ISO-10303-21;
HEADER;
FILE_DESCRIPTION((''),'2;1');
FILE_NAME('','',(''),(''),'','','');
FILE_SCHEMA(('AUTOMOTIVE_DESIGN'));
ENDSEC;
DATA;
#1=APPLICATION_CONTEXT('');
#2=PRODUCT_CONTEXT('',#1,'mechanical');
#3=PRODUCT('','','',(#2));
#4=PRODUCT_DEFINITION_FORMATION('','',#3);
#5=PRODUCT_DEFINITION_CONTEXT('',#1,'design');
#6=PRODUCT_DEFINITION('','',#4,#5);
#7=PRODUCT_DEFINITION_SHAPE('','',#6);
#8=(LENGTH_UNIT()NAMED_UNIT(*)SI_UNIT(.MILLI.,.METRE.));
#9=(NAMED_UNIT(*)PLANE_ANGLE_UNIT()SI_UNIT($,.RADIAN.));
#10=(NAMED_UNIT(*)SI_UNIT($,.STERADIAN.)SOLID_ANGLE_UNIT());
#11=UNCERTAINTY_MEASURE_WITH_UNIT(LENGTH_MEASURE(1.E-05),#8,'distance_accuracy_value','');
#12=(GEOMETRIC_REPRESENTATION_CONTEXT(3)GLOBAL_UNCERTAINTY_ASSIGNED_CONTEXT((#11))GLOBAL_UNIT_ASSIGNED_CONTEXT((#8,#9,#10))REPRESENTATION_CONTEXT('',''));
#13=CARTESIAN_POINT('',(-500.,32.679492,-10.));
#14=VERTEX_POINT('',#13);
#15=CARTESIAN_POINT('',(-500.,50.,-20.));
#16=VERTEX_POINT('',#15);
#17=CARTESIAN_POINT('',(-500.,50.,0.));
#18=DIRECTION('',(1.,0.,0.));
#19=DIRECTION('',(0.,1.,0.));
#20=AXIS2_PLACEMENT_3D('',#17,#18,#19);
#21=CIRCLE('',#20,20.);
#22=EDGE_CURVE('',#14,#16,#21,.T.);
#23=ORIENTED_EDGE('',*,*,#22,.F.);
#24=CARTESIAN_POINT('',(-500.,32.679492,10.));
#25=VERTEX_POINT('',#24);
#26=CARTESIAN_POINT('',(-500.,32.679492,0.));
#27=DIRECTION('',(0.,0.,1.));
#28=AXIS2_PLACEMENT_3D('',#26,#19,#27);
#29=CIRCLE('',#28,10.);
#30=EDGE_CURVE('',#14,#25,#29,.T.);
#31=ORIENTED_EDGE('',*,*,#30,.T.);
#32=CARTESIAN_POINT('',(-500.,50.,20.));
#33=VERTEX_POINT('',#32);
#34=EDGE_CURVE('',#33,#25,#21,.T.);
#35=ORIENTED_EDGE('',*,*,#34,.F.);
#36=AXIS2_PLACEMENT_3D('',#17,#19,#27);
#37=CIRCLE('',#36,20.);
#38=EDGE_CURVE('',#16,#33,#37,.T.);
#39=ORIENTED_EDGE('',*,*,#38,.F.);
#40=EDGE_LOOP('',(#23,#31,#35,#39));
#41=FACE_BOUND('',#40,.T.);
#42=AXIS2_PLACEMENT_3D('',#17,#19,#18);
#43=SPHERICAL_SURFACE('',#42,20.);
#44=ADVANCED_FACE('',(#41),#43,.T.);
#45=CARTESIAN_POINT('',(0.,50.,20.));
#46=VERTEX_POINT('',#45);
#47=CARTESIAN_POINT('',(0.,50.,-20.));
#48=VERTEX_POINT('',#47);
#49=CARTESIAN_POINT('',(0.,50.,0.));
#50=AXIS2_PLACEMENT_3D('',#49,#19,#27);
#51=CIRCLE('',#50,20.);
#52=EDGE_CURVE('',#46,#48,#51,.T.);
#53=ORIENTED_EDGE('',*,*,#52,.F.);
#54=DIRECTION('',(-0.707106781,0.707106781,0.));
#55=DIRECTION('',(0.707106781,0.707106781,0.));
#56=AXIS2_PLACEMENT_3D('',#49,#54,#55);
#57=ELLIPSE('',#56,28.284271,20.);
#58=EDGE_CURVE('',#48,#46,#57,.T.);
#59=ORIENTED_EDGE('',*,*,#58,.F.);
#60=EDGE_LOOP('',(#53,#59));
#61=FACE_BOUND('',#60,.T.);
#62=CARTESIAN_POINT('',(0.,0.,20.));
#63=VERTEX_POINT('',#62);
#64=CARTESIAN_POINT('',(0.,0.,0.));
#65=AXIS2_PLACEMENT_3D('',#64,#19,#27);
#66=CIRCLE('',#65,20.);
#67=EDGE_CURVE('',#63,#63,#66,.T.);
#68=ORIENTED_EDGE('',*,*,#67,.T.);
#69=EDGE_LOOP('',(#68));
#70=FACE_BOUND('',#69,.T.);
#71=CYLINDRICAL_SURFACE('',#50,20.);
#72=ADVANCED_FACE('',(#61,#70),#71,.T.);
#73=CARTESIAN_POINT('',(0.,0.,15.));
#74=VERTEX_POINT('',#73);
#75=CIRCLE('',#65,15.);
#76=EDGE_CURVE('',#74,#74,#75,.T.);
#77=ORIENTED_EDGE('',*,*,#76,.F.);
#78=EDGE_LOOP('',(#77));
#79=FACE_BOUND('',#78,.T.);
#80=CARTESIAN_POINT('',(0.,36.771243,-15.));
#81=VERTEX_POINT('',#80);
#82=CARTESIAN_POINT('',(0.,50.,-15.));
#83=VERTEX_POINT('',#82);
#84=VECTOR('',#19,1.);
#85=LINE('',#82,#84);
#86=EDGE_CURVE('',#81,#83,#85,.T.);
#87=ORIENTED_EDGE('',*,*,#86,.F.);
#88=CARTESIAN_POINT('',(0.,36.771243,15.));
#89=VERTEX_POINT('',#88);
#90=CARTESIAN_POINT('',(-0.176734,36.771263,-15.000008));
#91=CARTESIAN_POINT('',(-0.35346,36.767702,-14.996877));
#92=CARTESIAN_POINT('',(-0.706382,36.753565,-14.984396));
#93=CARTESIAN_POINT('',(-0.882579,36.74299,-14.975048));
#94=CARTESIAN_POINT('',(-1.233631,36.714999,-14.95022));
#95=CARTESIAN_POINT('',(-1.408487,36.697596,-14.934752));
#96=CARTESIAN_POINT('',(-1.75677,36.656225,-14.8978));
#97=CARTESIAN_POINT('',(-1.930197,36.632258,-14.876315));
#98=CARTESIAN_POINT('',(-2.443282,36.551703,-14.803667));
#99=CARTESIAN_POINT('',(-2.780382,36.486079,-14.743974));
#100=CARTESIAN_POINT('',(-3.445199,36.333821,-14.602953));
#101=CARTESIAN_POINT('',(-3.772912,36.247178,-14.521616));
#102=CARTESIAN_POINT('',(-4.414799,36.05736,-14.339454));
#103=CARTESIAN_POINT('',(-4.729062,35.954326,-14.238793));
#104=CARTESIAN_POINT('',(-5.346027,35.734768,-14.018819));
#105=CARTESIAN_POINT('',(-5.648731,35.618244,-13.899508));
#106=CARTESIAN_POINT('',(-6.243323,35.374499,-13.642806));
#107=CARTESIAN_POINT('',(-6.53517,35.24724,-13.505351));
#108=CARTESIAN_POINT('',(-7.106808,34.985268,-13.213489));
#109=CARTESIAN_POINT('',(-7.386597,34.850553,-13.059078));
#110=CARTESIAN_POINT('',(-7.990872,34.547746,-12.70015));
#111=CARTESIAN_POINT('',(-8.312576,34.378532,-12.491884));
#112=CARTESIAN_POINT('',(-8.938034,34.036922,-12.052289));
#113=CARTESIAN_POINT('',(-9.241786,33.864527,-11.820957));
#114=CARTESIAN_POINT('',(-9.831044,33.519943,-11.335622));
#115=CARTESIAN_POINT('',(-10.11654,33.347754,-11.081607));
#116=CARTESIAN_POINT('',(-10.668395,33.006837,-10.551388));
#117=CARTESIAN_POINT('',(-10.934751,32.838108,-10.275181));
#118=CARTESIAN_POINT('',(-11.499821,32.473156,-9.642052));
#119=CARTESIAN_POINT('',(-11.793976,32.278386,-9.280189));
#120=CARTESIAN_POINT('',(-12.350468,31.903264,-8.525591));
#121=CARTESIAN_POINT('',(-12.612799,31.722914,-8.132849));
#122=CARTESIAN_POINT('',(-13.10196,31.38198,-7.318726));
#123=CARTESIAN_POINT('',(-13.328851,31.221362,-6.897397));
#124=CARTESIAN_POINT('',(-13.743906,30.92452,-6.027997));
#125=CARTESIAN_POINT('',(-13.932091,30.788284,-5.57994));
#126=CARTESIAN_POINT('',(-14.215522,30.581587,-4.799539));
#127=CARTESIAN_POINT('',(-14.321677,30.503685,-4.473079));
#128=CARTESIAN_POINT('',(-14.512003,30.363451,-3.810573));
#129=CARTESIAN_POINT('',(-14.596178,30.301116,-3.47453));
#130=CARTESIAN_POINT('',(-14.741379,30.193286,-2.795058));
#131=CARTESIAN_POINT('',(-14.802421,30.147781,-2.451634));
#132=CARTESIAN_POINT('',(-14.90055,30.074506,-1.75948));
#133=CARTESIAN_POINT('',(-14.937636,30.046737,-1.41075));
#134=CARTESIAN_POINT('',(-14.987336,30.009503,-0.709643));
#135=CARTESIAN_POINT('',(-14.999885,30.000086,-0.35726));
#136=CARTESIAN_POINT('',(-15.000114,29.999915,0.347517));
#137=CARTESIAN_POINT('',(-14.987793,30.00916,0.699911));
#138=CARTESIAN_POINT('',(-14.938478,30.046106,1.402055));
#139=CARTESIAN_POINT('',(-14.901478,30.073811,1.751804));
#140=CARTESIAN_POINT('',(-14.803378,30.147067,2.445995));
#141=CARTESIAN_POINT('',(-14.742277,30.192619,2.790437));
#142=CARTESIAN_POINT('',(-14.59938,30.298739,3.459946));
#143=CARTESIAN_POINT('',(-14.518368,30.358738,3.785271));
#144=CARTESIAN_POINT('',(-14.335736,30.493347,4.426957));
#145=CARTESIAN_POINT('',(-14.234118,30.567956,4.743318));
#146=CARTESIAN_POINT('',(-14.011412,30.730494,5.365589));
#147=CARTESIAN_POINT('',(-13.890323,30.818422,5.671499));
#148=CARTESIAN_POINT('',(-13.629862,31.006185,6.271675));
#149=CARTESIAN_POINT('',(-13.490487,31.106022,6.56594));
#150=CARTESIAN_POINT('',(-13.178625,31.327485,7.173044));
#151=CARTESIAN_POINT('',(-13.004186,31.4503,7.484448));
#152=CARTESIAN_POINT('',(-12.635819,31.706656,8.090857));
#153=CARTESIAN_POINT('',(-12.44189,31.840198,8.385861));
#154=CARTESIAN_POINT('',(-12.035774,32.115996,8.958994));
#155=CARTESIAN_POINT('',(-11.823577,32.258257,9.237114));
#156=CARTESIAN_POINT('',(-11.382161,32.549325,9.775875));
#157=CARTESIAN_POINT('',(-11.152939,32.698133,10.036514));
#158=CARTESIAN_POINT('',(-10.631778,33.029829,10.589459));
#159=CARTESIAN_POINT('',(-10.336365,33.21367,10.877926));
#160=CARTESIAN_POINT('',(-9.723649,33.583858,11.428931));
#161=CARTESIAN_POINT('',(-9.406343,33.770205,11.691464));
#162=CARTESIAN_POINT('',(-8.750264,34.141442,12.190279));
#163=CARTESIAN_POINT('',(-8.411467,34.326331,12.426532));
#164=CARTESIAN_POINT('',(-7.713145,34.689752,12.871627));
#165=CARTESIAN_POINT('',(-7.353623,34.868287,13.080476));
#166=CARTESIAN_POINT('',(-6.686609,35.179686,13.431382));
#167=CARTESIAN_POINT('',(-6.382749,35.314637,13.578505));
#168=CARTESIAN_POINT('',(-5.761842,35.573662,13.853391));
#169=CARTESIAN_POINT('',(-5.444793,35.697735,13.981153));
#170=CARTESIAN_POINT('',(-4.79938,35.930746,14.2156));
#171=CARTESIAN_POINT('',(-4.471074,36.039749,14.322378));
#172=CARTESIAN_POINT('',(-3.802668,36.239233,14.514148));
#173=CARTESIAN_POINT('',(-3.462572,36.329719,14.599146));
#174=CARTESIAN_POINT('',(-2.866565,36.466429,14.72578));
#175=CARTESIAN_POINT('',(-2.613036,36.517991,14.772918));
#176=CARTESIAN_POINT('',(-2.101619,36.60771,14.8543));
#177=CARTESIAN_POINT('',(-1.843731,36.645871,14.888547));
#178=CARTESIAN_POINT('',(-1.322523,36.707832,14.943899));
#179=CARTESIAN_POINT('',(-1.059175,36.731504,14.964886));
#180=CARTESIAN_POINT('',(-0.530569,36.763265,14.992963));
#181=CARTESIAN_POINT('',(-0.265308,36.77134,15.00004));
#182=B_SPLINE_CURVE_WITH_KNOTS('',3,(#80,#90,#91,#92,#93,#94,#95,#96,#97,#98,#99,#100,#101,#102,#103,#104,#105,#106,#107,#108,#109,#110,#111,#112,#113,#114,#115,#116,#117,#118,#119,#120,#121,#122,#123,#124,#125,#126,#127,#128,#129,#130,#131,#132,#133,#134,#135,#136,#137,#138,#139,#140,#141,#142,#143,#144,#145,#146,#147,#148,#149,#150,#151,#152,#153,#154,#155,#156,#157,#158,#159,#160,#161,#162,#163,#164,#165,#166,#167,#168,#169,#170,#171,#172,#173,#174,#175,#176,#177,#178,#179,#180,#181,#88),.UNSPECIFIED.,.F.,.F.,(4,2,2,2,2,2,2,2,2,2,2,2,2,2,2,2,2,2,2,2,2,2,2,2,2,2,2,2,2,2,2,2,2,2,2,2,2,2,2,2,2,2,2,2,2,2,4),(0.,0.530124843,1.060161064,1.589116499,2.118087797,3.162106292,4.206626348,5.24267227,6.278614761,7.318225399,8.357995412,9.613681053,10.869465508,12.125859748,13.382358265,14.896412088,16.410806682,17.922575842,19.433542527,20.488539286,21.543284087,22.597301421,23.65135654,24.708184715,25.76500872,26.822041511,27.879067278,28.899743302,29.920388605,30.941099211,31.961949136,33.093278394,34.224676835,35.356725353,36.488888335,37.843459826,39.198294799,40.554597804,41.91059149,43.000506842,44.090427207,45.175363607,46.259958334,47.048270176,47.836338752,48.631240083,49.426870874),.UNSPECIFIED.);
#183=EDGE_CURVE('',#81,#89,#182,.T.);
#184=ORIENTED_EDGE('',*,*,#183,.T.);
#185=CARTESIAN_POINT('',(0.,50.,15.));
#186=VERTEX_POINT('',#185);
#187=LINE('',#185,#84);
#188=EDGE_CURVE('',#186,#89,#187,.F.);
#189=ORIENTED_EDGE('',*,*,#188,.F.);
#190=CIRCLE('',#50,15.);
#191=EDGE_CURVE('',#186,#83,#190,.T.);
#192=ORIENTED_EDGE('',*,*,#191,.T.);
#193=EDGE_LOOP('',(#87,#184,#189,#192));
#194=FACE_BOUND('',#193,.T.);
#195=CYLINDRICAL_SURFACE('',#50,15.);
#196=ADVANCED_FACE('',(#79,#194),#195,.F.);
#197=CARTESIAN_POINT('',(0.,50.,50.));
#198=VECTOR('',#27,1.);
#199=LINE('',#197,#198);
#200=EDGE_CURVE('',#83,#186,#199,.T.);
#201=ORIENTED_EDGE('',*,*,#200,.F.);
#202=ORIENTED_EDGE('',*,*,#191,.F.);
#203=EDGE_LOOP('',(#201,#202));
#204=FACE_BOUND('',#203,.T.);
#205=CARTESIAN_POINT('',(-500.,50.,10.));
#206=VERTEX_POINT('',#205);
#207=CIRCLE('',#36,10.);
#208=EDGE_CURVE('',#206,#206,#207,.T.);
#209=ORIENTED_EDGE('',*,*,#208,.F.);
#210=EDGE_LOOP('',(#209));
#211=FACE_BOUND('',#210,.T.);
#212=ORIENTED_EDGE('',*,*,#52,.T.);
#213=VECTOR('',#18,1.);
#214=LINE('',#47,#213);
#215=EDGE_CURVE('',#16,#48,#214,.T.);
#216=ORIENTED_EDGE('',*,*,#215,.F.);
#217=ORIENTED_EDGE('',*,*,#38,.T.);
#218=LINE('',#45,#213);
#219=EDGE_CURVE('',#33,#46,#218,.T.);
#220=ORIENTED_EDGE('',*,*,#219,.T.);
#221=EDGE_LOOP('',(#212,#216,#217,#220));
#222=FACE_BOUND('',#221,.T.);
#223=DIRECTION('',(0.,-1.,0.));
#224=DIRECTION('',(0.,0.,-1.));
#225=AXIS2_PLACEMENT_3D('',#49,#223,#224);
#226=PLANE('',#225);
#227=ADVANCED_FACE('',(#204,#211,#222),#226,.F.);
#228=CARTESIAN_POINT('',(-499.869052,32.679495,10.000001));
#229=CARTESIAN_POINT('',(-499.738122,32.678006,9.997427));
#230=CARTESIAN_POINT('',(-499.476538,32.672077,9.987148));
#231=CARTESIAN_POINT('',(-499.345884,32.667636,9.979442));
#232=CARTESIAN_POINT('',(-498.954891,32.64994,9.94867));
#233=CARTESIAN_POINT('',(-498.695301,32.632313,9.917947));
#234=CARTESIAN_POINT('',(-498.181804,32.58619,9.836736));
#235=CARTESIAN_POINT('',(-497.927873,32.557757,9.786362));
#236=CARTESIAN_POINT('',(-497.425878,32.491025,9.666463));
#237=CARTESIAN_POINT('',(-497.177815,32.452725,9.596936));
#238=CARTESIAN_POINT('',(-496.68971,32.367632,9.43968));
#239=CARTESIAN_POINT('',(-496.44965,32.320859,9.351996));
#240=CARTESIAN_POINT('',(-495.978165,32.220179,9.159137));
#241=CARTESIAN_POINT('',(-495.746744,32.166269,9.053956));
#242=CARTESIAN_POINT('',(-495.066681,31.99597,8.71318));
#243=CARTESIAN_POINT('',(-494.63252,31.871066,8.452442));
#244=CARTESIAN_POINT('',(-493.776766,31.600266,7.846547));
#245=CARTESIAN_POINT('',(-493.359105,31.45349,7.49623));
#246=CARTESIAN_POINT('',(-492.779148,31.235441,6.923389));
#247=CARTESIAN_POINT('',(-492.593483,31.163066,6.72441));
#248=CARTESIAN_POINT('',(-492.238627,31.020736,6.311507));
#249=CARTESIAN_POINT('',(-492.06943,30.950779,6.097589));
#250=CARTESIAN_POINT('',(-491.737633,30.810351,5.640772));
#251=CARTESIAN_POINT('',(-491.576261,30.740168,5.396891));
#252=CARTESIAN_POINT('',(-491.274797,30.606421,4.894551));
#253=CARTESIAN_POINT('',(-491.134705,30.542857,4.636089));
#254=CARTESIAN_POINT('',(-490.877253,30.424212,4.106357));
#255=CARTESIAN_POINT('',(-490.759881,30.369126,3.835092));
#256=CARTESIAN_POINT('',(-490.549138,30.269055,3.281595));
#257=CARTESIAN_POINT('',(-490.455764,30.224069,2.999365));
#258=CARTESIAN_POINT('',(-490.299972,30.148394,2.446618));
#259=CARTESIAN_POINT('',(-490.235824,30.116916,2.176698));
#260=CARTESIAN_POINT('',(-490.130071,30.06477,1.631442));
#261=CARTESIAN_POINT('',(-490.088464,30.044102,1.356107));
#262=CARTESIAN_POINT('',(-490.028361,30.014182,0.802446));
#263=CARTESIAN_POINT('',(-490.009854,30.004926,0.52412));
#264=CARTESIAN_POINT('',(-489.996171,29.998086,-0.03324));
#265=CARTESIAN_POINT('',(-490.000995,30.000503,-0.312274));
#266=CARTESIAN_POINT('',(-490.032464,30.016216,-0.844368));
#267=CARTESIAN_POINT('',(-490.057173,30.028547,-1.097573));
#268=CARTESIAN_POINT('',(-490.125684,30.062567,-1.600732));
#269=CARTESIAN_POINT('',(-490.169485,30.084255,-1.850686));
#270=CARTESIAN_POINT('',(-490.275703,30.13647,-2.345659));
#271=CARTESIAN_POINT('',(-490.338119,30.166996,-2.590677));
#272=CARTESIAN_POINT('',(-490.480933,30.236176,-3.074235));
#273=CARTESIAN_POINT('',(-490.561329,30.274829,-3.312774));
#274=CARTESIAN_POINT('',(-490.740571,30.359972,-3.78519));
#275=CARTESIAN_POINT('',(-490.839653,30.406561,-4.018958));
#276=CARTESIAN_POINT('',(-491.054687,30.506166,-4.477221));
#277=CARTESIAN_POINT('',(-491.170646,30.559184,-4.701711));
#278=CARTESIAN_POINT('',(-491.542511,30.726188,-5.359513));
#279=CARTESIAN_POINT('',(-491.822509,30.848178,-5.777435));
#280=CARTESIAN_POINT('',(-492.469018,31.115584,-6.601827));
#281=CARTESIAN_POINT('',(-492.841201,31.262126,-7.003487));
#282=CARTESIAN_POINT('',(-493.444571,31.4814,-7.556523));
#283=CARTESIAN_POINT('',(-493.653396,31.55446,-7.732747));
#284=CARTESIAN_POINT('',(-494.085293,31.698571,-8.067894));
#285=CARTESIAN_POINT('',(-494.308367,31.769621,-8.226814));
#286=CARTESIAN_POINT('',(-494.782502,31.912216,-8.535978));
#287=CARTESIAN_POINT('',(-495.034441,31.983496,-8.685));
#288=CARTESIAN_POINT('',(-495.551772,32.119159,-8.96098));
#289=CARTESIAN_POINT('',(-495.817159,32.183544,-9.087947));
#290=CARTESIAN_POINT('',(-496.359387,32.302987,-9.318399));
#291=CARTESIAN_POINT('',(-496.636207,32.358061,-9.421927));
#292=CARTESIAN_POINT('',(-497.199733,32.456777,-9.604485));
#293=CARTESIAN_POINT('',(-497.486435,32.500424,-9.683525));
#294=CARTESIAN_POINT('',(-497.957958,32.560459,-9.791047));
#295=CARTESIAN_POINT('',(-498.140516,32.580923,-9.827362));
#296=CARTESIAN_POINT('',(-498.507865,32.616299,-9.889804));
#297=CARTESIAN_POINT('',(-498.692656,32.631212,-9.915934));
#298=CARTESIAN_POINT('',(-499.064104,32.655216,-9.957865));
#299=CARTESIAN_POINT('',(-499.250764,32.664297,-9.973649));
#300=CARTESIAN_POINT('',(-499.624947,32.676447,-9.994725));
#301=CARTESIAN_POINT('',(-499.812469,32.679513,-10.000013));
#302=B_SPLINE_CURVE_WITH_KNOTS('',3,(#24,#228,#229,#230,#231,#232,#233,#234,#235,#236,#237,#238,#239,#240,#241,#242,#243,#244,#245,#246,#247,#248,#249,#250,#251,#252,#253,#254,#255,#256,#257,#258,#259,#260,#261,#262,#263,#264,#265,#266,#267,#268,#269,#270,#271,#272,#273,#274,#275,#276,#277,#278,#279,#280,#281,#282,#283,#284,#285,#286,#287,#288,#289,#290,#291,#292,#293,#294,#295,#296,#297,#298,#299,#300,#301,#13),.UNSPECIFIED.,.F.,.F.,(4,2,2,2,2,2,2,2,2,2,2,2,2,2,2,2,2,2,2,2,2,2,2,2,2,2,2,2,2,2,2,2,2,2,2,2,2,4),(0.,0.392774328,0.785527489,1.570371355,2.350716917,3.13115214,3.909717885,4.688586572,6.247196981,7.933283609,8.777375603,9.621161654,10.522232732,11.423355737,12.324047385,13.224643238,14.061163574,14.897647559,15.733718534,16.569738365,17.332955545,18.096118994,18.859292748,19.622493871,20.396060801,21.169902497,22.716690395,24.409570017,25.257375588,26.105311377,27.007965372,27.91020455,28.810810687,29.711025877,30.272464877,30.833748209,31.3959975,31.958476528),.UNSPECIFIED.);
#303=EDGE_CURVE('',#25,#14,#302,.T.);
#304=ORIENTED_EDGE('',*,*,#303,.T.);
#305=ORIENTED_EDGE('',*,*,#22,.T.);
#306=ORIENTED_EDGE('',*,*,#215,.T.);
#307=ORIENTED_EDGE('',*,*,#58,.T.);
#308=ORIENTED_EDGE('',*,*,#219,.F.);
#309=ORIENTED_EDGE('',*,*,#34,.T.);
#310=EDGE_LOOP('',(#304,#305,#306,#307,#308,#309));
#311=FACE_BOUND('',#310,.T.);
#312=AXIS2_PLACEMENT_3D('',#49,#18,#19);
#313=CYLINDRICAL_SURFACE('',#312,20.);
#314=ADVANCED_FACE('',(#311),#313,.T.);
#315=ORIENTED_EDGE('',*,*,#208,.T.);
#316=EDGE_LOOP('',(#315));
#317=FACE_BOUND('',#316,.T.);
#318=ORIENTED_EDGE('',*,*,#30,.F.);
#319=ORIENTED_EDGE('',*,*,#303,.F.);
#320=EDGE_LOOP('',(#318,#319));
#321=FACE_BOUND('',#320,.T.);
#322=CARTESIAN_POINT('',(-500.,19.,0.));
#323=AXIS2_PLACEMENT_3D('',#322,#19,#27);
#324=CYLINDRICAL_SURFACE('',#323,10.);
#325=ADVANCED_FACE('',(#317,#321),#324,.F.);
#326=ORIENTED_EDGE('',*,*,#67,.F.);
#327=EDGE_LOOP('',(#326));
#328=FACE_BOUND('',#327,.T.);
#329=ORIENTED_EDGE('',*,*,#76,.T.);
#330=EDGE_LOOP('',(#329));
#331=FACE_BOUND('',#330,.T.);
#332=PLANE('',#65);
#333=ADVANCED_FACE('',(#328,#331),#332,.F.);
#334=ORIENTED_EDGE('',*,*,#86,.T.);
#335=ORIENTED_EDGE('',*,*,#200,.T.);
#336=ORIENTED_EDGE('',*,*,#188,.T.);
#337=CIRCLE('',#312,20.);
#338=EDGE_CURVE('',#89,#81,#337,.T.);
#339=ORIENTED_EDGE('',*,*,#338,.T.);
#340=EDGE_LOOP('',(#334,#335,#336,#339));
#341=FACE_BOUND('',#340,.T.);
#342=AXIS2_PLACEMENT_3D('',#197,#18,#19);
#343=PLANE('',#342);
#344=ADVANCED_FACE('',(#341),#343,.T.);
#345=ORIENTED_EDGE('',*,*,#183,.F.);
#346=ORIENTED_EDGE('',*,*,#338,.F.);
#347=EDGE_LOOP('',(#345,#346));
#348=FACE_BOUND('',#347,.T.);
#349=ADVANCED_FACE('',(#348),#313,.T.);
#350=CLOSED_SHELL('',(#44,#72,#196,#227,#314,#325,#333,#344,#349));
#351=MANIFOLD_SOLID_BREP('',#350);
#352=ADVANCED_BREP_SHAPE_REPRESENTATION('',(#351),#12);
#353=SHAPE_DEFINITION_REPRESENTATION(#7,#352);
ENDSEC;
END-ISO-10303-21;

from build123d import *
from build123d.topology import SkipClean

# Parameters (mm, degrees)
REVOLVE_2_ANGLE           = 90
REVOLVE_2_OTHER_WAY_ANGLE = 90
SKETCH_2_R                = 10
CUT_EXTRUDE_1_DEPTH       = 31


with BuildPart() as part:
    # 草图1 → 旋转1 (revolve)
    with BuildSketch(Plane.XY):
        Polygon((15, 30), (15, 0), (20, 0), (20, 50), (15, 50), align=None)
    revolve(axis=Axis((0, 50, 0), (0, -1, 0)))

    # 草图1<3> → 旋转2 (revolve)
    with BuildSketch(Plane.XY):
        with BuildLine():
            Line((0, 30), (0, 50))
            Line((0, 50), (-480, 50))
            ThreePointArc((-480, 50), (-485.857864376, 35.857864376), (-500, 30))
            Line((-500, 30), (0, 30))
        make_face()
    revolve(axis=Axis((0, 50, 0), (-1, 0, 0)), revolution_arc=REVOLVE_2_ANGLE)

    # 草图1<3> → 旋转2 other way (revolve)
    with SkipClean():  # the faces are left unmerged after this step: merging them gives an invalid solid
        with BuildSketch(Plane.XY):
            with BuildLine():
                Line((0, 30), (0, 50))
                Line((0, 50), (-480, 50))
                ThreePointArc((-480, 50), (-485.857864376, 35.857864376), (-500, 30))
                Line((-500, 30), (0, 30))
            make_face()
        revolve(axis=Axis((0, 50, 0), (1, 0, 0)), revolution_arc=REVOLVE_2_OTHER_WAY_ANGLE)

    # 草图1<5> → 旋转4 (revolve)
    with BuildSketch(Plane.XY):
        with BuildLine():
            Line((-500, 50), (-500, 30))
            ThreePointArc((-500, 30), (-485.857864376, 35.857864376), (-480, 50))
            Line((-480, 50), (-500, 50))
        make_face()
    revolve(axis=Axis((-500, 50, 0), (0, -1, 0)))

    # 草图2 → 切除-拉伸1 (cut)
    with BuildSketch(Plane(origin=(0, 50, 0), x_dir=(1, 0, 0), z_dir=(0, 1, 0))):
        with Locations((-500, 0)):
            Circle(SKETCH_2_R)
    extrude(amount=-CUT_EXTRUDE_1_DEPTH, mode=Mode.SUBTRACT)


solid = part.part
